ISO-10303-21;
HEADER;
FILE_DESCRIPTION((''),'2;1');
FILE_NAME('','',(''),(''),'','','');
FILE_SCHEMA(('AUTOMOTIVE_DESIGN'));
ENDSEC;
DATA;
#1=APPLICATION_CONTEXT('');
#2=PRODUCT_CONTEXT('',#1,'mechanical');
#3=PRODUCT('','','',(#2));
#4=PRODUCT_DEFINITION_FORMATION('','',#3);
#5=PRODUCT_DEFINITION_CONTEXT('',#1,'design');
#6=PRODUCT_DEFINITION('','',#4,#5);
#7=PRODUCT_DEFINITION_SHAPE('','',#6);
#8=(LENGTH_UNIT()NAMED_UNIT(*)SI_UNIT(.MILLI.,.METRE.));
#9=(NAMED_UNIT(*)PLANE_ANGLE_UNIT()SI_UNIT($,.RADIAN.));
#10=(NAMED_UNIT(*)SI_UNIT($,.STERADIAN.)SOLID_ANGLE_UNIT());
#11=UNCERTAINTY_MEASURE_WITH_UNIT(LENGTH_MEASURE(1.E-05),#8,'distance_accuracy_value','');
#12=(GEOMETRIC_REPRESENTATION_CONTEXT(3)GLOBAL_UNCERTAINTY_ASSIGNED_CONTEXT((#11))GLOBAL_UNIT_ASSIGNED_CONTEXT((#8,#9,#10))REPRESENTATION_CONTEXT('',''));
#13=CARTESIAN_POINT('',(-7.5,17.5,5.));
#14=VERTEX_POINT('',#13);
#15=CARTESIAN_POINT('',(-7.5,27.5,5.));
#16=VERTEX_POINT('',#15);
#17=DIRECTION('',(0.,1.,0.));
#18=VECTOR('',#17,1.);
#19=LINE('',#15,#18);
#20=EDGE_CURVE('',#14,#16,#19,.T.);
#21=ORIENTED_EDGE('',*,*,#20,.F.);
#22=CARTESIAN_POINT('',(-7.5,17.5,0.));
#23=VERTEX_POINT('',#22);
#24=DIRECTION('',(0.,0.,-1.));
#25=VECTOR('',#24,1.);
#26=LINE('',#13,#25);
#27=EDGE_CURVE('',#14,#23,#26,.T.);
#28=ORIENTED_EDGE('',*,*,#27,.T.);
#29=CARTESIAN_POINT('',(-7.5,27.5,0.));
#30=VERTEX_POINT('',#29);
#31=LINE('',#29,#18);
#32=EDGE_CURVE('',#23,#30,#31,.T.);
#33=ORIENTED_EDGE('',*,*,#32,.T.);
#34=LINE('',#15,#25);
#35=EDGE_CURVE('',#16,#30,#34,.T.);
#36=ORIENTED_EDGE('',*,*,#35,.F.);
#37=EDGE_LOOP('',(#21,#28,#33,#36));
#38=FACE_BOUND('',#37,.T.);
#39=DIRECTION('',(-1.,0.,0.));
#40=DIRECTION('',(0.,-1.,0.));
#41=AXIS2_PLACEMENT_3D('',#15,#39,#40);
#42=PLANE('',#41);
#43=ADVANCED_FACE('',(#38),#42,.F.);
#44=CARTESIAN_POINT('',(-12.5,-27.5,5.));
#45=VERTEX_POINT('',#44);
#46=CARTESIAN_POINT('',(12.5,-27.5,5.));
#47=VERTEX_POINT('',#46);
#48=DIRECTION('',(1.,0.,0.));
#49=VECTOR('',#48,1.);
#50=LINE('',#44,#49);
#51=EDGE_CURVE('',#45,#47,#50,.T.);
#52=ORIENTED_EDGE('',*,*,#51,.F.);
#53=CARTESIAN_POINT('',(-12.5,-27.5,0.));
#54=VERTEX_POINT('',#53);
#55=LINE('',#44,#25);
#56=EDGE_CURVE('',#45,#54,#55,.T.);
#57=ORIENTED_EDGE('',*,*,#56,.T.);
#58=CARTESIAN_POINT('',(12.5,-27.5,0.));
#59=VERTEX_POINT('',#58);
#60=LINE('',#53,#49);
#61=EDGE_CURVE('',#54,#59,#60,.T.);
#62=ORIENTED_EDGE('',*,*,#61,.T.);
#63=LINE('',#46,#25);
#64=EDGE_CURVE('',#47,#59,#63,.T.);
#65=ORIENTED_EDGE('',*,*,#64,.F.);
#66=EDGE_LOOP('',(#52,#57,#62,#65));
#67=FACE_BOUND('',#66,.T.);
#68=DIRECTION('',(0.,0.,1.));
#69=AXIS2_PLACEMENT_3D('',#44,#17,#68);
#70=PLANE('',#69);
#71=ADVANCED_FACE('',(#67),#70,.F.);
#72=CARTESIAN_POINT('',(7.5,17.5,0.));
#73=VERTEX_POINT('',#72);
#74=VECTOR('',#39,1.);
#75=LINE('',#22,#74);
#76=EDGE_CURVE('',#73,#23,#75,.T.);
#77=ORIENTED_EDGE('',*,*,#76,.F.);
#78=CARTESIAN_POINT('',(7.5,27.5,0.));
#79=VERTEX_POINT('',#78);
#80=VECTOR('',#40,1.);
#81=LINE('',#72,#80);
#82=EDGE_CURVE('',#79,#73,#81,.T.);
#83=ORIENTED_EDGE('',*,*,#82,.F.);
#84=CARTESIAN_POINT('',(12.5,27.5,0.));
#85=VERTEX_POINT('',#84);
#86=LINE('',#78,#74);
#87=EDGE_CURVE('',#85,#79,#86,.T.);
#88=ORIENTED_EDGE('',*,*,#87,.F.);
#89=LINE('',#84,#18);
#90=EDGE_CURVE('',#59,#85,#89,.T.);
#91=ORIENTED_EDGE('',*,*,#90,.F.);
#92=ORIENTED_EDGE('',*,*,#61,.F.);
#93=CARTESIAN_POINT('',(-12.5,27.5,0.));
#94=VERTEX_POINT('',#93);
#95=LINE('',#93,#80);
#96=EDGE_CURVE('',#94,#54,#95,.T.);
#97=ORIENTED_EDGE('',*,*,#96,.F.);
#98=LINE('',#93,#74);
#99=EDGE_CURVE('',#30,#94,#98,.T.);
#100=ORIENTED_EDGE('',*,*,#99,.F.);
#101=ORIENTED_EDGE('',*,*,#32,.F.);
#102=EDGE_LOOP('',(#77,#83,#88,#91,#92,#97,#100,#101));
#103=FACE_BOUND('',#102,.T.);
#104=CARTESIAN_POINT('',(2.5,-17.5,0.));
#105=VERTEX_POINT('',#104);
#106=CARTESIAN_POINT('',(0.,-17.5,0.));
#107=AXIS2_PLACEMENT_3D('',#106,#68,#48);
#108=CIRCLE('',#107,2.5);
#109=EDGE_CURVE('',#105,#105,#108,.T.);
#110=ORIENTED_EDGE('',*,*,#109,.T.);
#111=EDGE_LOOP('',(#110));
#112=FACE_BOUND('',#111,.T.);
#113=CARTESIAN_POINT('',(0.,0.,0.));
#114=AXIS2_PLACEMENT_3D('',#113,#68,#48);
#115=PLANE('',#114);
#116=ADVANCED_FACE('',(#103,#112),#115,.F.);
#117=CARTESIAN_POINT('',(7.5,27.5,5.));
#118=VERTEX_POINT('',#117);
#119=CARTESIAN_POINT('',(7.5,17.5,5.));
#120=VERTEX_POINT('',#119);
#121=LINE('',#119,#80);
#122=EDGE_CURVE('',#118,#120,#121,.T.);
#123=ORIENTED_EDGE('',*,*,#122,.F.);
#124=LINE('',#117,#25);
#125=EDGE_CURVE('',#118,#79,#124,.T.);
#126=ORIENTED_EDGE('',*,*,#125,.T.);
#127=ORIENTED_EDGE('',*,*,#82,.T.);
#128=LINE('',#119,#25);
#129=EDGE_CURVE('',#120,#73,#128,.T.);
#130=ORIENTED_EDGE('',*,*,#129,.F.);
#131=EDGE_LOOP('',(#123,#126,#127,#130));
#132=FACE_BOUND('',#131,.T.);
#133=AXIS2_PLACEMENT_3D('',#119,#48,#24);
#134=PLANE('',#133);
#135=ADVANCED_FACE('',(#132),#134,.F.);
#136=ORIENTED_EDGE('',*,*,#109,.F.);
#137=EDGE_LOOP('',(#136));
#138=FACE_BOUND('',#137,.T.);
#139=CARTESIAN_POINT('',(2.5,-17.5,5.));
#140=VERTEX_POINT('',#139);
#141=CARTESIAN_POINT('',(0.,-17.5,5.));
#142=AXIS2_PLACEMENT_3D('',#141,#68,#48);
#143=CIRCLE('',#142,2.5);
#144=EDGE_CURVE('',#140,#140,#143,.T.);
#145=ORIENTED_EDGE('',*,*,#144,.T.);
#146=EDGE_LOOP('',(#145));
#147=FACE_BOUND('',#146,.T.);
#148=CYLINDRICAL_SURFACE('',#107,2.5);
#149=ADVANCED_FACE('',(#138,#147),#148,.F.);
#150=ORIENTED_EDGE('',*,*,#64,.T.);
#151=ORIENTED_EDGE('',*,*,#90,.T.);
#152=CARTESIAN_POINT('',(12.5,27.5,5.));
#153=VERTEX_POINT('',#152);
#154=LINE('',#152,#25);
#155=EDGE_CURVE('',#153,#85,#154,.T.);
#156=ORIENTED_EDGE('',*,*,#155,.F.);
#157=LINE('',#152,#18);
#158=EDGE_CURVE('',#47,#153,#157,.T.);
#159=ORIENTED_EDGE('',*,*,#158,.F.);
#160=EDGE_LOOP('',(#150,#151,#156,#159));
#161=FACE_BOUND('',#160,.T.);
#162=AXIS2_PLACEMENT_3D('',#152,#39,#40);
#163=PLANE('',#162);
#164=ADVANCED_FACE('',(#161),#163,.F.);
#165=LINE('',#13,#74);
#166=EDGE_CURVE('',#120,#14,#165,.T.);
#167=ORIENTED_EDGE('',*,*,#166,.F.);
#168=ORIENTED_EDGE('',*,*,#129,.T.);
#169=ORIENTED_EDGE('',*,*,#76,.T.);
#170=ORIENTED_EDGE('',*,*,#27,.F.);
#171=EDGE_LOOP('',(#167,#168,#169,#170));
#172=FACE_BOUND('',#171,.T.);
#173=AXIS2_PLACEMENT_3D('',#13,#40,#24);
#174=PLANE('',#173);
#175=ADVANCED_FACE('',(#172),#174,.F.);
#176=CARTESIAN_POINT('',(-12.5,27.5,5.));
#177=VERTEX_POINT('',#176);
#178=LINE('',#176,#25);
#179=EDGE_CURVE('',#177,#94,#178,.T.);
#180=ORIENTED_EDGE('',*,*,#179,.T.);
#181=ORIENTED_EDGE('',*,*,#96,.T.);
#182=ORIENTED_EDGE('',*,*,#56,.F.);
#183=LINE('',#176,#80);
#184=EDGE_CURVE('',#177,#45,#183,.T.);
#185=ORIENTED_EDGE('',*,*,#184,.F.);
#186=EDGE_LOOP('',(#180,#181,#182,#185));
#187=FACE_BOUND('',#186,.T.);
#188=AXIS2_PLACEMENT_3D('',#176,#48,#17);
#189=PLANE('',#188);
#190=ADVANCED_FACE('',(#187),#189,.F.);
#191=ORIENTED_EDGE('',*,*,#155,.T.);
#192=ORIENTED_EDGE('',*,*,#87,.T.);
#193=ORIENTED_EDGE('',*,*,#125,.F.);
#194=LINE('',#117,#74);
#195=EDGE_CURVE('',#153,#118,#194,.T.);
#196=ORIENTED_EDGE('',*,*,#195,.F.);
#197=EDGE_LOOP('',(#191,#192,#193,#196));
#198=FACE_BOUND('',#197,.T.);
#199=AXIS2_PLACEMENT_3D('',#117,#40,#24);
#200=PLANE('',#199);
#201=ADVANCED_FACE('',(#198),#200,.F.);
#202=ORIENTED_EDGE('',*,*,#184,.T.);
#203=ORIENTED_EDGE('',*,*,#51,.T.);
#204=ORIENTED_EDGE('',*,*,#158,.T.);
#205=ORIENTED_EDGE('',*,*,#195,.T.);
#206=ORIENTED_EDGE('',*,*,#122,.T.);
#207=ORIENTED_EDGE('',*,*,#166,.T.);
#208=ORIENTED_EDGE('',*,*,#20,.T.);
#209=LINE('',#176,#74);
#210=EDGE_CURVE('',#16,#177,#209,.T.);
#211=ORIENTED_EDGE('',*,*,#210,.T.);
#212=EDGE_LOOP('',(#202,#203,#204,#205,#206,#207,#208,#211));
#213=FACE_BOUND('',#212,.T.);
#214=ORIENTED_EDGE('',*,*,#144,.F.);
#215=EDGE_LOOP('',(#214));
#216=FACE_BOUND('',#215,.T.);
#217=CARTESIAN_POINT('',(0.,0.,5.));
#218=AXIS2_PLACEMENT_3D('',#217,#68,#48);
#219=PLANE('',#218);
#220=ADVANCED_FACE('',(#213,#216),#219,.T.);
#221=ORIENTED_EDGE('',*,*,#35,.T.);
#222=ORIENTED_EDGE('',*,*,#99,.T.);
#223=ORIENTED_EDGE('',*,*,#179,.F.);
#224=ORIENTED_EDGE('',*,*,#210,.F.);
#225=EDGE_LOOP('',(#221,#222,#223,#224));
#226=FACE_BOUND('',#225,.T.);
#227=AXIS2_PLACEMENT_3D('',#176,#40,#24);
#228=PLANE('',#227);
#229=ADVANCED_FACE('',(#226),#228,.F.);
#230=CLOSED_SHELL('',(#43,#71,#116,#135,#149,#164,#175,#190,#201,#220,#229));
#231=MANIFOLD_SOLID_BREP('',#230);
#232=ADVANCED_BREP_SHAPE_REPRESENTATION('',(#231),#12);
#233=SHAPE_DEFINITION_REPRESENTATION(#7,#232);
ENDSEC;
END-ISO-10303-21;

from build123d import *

# Parameters (mm, degrees)
BOSS_EXTRUDE1_DEPTH = 5
SKETCH2_R           = 2.5
CUT_EXTRUDE1_DEPTH  = 31.618621785


with BuildPart() as part:
    # Sketch1 → Boss-Extrude1 (new body)
    with BuildSketch(Plane.XY):
        Polygon((-7.5, 27.5), (-7.5, 17.5), (7.5, 17.5), (7.5, 27.5), (12.5, 27.5), (12.5, -27.5), (-12.5, -27.5), (-12.5, 27.5), align=None)
    extrude(amount=BOSS_EXTRUDE1_DEPTH)

    # Sketch2 → Cut-Extrude1 (cut, through all)
    with BuildSketch(Plane.XY.offset(5)):
        with Locations((0, -17.5)):
            Circle(SKETCH2_R)
    extrude(amount=-CUT_EXTRUDE1_DEPTH, mode=Mode.SUBTRACT)


solid = part.part
